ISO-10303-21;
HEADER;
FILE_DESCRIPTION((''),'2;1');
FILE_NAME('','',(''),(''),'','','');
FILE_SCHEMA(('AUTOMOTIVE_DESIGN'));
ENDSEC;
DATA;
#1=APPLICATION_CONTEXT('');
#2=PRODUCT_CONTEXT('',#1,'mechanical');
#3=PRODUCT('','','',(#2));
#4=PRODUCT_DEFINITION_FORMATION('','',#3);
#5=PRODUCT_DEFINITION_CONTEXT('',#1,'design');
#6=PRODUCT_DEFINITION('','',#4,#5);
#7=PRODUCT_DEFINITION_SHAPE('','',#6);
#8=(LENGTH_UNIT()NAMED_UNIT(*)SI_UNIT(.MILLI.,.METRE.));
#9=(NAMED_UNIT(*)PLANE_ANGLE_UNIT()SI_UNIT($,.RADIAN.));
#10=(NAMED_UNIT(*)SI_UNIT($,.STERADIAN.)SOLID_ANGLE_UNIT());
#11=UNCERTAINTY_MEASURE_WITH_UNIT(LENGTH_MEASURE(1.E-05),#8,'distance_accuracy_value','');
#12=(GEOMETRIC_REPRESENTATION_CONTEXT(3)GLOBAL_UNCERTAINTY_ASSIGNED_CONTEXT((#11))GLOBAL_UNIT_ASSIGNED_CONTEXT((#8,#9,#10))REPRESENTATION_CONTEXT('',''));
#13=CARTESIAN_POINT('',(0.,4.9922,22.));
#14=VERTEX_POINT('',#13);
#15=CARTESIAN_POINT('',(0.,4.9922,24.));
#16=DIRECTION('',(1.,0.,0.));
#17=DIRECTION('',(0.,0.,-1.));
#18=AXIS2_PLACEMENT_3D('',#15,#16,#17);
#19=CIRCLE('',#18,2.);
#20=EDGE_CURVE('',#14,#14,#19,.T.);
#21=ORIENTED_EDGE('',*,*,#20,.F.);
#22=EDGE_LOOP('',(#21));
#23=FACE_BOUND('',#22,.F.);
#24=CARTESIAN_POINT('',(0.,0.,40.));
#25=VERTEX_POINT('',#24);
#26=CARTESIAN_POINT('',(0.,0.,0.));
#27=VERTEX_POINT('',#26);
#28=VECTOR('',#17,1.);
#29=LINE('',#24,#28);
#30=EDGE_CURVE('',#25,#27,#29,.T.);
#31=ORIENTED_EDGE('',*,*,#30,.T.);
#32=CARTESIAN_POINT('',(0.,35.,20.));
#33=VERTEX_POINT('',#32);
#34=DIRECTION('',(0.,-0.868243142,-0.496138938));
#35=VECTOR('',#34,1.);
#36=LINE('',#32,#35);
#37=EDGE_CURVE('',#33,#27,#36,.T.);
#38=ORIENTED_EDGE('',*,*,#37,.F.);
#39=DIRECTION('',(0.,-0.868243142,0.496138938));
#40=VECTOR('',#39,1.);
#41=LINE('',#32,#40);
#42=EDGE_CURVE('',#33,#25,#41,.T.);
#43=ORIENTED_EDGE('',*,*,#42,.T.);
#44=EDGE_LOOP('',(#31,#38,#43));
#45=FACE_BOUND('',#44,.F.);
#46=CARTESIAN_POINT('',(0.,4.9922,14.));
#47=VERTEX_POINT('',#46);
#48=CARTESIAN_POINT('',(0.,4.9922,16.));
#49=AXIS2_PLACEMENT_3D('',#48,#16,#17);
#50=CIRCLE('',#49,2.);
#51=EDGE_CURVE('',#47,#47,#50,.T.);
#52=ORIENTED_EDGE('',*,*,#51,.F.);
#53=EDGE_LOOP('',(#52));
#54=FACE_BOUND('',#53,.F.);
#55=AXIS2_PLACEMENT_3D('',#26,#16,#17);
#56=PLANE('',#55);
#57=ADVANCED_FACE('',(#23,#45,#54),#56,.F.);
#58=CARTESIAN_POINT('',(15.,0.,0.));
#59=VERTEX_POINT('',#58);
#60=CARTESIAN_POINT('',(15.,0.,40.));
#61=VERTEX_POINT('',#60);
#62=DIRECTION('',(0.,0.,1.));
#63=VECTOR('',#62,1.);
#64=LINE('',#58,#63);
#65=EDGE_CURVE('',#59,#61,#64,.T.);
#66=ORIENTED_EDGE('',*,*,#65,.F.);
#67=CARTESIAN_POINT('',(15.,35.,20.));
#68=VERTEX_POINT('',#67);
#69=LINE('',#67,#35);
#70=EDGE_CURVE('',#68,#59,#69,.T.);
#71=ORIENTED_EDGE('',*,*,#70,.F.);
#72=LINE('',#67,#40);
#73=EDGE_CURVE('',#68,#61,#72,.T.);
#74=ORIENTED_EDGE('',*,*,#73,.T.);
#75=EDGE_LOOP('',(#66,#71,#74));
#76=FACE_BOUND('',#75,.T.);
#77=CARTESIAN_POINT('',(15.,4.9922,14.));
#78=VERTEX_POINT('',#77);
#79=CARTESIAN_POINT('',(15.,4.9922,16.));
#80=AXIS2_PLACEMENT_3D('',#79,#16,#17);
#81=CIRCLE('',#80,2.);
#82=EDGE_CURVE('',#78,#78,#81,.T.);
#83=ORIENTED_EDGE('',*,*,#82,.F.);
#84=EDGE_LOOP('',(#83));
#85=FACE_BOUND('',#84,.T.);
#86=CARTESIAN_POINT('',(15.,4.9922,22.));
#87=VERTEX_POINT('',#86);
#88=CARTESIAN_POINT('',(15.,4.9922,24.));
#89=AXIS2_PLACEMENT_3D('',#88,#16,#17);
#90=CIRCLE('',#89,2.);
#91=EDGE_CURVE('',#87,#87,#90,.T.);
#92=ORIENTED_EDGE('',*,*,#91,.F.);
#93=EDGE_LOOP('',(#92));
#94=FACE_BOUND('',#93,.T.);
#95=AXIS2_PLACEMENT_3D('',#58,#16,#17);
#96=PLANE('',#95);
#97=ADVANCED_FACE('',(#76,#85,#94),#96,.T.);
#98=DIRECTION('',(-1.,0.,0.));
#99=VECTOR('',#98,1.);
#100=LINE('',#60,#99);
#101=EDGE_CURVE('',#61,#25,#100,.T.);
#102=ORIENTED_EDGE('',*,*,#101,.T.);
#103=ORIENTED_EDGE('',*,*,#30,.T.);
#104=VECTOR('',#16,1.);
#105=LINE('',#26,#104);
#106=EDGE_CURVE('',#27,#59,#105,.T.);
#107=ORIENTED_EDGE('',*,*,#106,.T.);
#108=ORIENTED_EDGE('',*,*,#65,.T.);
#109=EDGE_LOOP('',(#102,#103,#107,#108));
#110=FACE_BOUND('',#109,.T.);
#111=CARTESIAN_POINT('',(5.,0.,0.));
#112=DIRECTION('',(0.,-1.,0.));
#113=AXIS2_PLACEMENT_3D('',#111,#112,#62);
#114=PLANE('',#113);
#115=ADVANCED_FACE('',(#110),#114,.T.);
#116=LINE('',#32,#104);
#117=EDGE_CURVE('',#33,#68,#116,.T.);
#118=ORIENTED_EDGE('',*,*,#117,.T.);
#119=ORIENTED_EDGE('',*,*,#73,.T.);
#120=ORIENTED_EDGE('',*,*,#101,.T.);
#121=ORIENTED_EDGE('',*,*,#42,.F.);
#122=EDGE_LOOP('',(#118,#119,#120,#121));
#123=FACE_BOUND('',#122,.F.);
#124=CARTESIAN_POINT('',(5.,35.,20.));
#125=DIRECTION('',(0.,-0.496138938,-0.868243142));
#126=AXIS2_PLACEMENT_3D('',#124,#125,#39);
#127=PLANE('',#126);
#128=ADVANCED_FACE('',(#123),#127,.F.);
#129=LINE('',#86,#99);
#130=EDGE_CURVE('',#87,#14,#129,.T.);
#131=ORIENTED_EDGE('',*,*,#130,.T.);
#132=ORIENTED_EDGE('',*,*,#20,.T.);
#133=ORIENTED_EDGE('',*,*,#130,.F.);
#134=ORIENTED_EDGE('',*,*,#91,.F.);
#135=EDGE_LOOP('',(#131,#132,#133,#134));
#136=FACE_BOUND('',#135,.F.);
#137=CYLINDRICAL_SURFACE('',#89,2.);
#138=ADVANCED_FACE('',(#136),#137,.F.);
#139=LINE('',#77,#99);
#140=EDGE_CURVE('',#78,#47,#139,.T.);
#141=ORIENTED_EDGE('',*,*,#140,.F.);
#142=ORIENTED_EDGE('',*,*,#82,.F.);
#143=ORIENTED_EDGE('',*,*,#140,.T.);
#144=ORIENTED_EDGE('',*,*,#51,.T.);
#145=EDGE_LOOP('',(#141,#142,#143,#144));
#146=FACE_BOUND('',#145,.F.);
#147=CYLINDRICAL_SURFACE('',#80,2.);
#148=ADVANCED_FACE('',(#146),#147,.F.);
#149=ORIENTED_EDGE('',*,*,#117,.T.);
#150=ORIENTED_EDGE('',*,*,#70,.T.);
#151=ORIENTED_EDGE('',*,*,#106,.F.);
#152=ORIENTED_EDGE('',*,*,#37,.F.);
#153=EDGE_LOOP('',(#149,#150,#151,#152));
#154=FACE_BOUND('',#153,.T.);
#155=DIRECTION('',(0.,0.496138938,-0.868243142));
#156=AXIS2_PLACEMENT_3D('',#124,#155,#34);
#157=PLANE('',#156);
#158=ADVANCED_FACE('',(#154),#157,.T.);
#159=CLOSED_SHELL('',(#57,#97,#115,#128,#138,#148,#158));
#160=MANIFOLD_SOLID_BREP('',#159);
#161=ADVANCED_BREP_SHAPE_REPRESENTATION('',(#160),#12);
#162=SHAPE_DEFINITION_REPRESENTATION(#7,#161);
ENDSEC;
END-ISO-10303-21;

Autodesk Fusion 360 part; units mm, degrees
sketch "Sketch1" plane through (0, 0, 0) normal (1, 0, 0) x (0, 0, -1)
  line L0 (0, 0) -> (-40, 0)
  line L1 (-20, 0) -> (-20, 35)
  line L2 (-20, 35) -> (-40, 0)
  line L3 (-20, 35) -> (0, 0)
  dimension "d1" = 40
  dimension "d2" = 40.3113
extrude "Extrude1" add sketch "Sketch1" along normal blind 5
extrude "Extrude2" add 1 faces at (5, 11.6667, 20) along direction (1, 0, 0) blind 10
sketch "Sketch2" plane through (15, 0, 0) normal (1, 0, 0) x (0, 0, -1)
  line L0 (-20, 35) -> (-40, 0)
  line L1 (-40, 0) -> (0, 0)
  line L2 (0, 0) -> (-20, 35)
  circle A0 centre (-24, 4.9922) radius 2
  circle A1 centre (-16, 4.9922) radius 2
  line L3 (-20, 35) -> (-20, 0)
  dimension "d7" = 4
  dimension "d8" = 4
  dimension "d9" = 4
  dimension "d10" = 4
extrude "Extrude3" cut sketch "Sketch2" against normal blind 31 contours A0 | A1
